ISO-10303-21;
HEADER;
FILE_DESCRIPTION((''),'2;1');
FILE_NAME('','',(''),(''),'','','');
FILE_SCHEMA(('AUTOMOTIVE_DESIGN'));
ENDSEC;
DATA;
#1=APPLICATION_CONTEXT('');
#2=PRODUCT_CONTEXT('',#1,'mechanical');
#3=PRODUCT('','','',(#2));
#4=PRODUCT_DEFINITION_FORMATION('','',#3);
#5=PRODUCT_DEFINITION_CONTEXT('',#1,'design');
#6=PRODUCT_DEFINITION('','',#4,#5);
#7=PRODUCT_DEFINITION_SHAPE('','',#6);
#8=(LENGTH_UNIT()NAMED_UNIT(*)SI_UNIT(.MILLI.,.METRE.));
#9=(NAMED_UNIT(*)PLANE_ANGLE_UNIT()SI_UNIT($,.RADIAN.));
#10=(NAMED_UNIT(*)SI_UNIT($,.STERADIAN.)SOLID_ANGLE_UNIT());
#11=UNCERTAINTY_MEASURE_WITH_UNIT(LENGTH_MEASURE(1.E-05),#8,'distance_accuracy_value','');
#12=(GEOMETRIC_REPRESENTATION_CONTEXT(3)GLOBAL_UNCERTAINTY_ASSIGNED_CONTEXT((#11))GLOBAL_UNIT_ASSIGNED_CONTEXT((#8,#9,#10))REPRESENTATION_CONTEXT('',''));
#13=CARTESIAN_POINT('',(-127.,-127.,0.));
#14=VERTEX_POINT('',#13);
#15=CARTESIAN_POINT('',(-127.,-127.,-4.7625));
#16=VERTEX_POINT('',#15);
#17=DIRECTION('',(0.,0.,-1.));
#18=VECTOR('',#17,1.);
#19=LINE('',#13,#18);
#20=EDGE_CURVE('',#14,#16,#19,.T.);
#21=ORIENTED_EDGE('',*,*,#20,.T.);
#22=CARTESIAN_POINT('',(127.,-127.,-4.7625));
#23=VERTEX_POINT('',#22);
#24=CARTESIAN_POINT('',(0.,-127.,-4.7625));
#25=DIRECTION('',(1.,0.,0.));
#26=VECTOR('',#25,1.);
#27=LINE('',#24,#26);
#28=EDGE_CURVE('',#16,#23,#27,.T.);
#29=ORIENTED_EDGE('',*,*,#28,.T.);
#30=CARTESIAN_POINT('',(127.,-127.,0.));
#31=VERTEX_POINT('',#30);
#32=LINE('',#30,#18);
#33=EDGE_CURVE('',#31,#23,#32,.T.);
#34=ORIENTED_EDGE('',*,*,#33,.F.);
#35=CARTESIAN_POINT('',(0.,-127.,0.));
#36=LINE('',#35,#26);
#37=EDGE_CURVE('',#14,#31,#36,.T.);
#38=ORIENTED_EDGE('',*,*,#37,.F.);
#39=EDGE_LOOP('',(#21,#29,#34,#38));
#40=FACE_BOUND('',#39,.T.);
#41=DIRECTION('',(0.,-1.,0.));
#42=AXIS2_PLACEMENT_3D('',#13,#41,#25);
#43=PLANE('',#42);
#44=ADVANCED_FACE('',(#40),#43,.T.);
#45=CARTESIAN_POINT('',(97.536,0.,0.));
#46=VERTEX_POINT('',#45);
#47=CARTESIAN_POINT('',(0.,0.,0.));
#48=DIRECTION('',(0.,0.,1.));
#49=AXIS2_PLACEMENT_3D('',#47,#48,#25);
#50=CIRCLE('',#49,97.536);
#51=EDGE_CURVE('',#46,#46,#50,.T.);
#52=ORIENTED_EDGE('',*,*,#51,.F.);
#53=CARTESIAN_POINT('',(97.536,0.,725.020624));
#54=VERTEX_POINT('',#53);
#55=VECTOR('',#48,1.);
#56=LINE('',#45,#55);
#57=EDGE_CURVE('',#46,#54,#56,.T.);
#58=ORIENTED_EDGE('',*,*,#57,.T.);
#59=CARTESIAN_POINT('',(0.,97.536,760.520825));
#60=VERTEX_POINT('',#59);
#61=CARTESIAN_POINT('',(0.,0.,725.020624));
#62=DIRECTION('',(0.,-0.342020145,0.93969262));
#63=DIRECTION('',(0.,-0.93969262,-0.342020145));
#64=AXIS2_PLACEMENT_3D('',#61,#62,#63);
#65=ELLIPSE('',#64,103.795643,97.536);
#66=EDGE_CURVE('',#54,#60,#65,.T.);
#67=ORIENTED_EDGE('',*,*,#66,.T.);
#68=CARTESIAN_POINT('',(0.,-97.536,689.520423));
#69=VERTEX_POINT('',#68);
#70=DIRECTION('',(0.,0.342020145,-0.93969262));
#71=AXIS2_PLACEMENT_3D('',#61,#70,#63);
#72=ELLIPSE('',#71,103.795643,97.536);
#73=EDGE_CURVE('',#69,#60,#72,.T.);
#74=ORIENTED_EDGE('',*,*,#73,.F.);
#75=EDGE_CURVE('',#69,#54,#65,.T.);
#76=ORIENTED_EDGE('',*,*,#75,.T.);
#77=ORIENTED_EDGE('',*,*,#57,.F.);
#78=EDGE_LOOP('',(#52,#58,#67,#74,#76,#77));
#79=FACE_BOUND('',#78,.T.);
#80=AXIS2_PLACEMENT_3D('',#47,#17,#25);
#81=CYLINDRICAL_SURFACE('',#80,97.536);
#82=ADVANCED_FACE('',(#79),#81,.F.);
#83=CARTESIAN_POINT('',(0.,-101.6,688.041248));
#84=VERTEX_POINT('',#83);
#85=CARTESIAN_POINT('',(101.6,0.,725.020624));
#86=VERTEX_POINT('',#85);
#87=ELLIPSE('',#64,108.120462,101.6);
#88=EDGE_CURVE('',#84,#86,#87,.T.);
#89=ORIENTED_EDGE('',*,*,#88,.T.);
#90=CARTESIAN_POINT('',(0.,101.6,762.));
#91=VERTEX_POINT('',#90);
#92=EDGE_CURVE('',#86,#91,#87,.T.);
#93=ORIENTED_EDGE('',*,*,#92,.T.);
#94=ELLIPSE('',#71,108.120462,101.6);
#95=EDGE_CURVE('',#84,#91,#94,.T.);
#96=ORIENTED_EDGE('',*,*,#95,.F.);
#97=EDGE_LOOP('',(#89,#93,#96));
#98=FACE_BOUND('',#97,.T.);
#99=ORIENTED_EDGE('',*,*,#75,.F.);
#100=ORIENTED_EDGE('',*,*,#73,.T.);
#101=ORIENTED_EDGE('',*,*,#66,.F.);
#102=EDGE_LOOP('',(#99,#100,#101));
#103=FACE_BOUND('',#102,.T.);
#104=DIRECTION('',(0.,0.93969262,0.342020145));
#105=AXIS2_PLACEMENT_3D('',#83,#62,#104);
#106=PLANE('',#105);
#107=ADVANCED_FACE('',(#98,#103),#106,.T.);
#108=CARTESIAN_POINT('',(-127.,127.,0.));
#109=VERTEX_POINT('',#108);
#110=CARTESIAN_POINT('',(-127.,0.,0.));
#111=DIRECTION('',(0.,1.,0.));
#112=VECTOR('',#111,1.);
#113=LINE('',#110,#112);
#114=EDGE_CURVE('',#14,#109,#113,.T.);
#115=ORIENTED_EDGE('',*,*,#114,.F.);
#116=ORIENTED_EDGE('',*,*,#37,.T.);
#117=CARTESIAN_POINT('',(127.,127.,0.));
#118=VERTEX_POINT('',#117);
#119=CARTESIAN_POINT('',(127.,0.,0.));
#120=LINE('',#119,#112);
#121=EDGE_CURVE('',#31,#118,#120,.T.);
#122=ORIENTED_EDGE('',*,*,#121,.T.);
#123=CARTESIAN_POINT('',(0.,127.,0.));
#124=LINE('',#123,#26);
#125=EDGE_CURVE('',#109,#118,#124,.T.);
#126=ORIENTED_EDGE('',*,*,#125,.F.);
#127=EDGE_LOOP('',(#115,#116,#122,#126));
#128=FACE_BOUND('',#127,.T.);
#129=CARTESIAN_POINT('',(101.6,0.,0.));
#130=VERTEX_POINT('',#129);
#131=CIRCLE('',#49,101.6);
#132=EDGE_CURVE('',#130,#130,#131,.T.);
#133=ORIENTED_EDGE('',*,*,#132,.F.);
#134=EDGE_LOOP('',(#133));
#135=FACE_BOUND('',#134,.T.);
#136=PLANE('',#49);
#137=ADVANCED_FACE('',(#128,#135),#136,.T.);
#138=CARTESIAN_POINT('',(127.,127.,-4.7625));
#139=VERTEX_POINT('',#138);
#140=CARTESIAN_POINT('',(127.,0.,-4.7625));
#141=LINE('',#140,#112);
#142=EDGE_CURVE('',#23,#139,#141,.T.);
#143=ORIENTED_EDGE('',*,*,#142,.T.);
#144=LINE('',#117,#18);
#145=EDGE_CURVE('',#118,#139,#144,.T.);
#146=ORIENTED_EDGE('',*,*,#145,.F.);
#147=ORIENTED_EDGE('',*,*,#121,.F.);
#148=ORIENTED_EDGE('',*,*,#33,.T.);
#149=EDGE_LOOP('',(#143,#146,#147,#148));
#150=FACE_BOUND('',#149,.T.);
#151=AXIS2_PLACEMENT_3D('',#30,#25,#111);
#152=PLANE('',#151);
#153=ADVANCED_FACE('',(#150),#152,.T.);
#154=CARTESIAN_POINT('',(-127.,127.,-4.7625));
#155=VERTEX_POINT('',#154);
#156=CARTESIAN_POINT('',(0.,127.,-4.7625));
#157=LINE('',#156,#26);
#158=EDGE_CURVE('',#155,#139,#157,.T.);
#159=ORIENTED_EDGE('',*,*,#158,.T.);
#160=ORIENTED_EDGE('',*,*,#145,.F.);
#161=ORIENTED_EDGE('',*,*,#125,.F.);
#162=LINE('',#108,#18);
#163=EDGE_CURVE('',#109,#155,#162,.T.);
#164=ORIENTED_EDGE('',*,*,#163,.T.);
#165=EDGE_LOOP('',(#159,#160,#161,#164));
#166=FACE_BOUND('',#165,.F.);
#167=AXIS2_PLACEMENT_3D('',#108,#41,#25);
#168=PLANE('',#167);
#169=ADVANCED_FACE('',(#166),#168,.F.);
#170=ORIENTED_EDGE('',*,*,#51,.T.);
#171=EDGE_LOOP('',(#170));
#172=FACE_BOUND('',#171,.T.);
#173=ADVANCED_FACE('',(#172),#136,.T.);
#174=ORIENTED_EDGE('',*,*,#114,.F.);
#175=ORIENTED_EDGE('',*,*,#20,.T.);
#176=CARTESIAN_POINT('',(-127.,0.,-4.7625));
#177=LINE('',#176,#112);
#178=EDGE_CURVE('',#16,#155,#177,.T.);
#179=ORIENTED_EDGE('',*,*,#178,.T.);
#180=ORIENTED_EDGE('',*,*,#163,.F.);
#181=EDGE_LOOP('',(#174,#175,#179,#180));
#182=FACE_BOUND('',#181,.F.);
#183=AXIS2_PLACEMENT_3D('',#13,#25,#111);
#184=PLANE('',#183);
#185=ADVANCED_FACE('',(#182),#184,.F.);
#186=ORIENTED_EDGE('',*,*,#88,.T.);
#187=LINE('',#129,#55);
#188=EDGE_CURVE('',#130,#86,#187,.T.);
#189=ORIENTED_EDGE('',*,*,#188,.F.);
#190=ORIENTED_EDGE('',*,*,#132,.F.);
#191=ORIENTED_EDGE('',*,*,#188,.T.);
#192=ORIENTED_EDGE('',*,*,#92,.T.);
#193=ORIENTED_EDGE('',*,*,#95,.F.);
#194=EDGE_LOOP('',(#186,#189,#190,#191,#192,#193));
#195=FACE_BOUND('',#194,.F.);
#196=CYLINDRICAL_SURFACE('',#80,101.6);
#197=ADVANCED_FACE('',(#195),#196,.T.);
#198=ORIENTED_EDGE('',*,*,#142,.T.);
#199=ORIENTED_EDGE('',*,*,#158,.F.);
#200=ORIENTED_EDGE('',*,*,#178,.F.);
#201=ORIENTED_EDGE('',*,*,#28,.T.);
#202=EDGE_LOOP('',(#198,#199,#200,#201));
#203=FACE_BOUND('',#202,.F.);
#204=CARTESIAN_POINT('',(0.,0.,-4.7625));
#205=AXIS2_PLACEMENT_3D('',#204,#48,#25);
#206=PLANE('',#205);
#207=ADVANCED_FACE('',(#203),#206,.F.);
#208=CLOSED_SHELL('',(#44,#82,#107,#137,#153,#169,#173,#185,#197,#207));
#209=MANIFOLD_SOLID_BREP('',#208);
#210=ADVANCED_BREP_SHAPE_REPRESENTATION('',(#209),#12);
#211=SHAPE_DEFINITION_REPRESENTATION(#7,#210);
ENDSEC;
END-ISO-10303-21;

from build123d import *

# Parameters (mm, degrees)
F0_R          = 101.6
F0_R_2        = 97.536
F1_DEPTH      = 762
F2_W          = 254
F2_H          = 254
F3_DEPTH      = 4.7625
F5_DEPTH      = 127.001
F5_DEPTH_BACK = 127.001
F6_DEPTH      = 127.001
F6_DEPTH_BACK = 127.001


with BuildPart() as f1:
    # F0 (on Top) → F1 (new body)
    with BuildSketch(Plane.XY):
        Circle(F0_R)
        Circle(F0_R_2, mode=Mode.SUBTRACT)
    extrude(amount=F1_DEPTH)

    # F2 (on Top) → F3 (join)
    with BuildSketch(Plane.XY):
        Rectangle(F2_W, F2_H)
    extrude(amount=-F3_DEPTH)

    # F4 (on Right) → F5 (cut, two sides)
    with BuildSketch(Plane.YZ) as f5_sk:
        Polygon((-101.6, 688.041248), (101.6, 762), (-101.6, 762), align=None)
    extrude(amount=-F5_DEPTH, mode=Mode.SUBTRACT)
    extrude(f5_sk.sketch, amount=-F5_DEPTH_BACK, mode=Mode.SUBTRACT)

    # F4 (on Right) → F6 (cut, two sides)
    with BuildSketch(Plane.YZ) as f6_sk:
        Polygon((-101.6, 688.041248), (101.6, 762), (-101.6, 762), align=None)
    extrude(amount=F6_DEPTH, mode=Mode.SUBTRACT)
    extrude(f6_sk.sketch, amount=-F6_DEPTH_BACK, mode=Mode.SUBTRACT)


solid = f1.part
